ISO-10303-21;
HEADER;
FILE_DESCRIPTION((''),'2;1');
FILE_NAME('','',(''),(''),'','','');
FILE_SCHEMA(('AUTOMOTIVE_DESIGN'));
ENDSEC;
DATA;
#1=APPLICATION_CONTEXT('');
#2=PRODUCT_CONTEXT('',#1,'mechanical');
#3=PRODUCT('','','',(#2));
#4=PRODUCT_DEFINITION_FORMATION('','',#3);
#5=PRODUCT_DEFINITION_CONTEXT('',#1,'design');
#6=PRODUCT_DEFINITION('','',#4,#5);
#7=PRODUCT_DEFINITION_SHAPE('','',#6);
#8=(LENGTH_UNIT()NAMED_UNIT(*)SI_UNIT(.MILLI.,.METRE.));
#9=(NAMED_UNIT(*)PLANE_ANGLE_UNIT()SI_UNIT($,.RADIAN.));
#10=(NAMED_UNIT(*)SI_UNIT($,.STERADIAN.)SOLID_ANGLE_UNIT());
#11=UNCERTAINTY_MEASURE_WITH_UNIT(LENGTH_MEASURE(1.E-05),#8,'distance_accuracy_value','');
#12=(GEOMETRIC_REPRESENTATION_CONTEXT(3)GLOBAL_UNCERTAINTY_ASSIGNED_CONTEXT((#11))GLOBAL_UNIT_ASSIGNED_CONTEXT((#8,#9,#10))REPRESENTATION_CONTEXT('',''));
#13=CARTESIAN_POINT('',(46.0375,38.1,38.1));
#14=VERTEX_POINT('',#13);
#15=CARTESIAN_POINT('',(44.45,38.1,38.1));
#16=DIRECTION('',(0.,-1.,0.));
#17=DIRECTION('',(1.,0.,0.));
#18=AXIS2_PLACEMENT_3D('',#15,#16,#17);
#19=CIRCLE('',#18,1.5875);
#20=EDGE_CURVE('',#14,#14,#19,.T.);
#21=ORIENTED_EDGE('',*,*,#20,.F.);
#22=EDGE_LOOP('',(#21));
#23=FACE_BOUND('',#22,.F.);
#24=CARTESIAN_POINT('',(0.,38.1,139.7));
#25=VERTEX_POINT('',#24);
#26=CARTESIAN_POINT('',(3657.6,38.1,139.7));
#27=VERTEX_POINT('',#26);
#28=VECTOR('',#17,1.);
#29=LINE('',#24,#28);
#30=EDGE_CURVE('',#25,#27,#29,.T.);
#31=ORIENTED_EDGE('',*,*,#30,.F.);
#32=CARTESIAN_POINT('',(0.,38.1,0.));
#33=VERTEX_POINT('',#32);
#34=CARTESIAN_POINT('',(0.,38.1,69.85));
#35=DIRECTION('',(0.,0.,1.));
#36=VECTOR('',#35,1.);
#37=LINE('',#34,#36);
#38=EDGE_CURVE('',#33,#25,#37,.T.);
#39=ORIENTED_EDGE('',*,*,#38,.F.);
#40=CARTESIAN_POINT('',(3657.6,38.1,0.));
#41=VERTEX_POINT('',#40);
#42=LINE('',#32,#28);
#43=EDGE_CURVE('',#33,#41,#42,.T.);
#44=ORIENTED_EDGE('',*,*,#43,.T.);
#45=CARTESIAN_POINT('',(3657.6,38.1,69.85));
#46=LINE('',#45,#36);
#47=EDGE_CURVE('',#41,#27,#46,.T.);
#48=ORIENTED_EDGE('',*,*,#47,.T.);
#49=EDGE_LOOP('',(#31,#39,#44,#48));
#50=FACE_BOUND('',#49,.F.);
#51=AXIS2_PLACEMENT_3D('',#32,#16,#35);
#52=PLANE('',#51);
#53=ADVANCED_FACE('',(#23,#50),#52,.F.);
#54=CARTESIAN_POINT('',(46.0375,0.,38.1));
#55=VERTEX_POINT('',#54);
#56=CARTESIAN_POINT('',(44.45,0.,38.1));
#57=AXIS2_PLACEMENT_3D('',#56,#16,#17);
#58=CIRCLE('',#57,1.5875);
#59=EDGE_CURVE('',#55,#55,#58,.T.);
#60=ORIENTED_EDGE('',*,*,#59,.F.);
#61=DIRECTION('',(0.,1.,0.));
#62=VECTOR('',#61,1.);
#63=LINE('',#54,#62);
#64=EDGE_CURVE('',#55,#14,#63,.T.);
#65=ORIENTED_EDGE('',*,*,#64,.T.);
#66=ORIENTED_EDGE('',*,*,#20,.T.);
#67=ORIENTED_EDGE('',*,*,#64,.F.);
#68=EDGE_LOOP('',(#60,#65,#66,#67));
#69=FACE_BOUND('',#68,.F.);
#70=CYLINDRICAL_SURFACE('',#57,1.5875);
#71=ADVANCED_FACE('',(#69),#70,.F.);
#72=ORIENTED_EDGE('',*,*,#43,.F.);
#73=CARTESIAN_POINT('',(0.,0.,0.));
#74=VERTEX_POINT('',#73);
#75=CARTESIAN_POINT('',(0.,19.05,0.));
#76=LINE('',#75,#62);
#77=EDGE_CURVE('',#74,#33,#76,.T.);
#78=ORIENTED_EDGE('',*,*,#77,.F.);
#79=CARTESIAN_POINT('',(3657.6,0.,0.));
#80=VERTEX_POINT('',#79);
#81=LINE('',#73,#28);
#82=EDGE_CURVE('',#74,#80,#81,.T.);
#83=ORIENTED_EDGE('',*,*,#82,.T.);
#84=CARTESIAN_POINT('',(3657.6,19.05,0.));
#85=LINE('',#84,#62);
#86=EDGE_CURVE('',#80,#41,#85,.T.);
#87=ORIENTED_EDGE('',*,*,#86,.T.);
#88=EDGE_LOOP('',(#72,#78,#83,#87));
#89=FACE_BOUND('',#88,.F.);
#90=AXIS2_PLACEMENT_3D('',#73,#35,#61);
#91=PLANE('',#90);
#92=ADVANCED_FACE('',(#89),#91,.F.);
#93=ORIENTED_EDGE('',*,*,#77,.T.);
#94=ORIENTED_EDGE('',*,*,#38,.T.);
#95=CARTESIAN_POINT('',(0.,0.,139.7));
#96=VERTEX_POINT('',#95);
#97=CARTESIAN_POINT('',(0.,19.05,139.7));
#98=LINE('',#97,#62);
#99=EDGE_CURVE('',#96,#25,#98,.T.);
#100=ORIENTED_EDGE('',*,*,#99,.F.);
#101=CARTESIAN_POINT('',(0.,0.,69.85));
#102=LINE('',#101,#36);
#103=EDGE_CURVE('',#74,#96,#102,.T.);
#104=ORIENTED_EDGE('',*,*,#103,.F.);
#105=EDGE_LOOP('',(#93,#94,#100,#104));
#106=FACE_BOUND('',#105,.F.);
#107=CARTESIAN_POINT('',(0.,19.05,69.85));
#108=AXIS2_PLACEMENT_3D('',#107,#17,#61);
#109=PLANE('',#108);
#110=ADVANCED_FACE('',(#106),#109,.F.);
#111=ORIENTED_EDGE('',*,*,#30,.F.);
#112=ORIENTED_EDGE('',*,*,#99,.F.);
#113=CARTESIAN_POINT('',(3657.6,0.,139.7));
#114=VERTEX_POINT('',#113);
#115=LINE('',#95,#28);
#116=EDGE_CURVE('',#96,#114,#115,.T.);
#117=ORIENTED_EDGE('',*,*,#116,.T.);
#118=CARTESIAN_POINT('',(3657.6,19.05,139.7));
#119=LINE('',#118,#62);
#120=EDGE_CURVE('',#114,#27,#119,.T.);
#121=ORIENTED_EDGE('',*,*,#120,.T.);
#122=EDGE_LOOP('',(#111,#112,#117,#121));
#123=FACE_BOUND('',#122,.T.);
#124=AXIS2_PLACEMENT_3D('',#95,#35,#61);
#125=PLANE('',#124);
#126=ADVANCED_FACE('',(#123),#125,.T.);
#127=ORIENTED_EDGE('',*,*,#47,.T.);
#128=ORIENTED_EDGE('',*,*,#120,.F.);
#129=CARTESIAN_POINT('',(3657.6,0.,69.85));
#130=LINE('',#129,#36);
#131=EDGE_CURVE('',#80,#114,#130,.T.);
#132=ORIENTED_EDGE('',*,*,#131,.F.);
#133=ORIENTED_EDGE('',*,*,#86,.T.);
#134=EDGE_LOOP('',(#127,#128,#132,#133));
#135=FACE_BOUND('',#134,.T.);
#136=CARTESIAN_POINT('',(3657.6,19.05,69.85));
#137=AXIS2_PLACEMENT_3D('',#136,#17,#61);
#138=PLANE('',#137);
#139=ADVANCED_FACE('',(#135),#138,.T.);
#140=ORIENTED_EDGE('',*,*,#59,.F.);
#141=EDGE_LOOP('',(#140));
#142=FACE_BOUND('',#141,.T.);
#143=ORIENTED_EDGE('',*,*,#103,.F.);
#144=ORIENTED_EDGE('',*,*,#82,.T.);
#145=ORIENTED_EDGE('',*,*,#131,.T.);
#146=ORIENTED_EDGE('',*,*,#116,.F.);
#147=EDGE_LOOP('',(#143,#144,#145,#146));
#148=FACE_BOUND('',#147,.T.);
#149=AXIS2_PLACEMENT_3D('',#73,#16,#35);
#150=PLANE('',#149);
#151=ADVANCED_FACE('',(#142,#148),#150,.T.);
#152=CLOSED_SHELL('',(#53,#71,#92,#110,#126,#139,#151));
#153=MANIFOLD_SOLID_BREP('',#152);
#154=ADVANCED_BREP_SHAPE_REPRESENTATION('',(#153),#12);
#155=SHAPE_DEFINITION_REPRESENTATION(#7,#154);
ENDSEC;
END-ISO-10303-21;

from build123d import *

# Parameters (mm, degrees)
F0_W     = 38.1
F0_H     = 139.7
F1_DEPTH = 3657.6
F2_R     = 1.5875
F3_DEPTH = 38.1


with BuildPart() as f1:
    # F0 (on Right) → F1 (new body)
    with BuildSketch(Plane.YZ):
        with Locations((19.05, 69.85)):
            Rectangle(F0_W, F0_H)
    extrude(amount=F1_DEPTH)

    # F2 (on face) → F3 (cut, through all)
    with BuildSketch(Plane.XZ):
        with Locations((44.45, 38.1)):
            Circle(F2_R)
    extrude(amount=-F3_DEPTH, mode=Mode.SUBTRACT)


solid = f1.part
